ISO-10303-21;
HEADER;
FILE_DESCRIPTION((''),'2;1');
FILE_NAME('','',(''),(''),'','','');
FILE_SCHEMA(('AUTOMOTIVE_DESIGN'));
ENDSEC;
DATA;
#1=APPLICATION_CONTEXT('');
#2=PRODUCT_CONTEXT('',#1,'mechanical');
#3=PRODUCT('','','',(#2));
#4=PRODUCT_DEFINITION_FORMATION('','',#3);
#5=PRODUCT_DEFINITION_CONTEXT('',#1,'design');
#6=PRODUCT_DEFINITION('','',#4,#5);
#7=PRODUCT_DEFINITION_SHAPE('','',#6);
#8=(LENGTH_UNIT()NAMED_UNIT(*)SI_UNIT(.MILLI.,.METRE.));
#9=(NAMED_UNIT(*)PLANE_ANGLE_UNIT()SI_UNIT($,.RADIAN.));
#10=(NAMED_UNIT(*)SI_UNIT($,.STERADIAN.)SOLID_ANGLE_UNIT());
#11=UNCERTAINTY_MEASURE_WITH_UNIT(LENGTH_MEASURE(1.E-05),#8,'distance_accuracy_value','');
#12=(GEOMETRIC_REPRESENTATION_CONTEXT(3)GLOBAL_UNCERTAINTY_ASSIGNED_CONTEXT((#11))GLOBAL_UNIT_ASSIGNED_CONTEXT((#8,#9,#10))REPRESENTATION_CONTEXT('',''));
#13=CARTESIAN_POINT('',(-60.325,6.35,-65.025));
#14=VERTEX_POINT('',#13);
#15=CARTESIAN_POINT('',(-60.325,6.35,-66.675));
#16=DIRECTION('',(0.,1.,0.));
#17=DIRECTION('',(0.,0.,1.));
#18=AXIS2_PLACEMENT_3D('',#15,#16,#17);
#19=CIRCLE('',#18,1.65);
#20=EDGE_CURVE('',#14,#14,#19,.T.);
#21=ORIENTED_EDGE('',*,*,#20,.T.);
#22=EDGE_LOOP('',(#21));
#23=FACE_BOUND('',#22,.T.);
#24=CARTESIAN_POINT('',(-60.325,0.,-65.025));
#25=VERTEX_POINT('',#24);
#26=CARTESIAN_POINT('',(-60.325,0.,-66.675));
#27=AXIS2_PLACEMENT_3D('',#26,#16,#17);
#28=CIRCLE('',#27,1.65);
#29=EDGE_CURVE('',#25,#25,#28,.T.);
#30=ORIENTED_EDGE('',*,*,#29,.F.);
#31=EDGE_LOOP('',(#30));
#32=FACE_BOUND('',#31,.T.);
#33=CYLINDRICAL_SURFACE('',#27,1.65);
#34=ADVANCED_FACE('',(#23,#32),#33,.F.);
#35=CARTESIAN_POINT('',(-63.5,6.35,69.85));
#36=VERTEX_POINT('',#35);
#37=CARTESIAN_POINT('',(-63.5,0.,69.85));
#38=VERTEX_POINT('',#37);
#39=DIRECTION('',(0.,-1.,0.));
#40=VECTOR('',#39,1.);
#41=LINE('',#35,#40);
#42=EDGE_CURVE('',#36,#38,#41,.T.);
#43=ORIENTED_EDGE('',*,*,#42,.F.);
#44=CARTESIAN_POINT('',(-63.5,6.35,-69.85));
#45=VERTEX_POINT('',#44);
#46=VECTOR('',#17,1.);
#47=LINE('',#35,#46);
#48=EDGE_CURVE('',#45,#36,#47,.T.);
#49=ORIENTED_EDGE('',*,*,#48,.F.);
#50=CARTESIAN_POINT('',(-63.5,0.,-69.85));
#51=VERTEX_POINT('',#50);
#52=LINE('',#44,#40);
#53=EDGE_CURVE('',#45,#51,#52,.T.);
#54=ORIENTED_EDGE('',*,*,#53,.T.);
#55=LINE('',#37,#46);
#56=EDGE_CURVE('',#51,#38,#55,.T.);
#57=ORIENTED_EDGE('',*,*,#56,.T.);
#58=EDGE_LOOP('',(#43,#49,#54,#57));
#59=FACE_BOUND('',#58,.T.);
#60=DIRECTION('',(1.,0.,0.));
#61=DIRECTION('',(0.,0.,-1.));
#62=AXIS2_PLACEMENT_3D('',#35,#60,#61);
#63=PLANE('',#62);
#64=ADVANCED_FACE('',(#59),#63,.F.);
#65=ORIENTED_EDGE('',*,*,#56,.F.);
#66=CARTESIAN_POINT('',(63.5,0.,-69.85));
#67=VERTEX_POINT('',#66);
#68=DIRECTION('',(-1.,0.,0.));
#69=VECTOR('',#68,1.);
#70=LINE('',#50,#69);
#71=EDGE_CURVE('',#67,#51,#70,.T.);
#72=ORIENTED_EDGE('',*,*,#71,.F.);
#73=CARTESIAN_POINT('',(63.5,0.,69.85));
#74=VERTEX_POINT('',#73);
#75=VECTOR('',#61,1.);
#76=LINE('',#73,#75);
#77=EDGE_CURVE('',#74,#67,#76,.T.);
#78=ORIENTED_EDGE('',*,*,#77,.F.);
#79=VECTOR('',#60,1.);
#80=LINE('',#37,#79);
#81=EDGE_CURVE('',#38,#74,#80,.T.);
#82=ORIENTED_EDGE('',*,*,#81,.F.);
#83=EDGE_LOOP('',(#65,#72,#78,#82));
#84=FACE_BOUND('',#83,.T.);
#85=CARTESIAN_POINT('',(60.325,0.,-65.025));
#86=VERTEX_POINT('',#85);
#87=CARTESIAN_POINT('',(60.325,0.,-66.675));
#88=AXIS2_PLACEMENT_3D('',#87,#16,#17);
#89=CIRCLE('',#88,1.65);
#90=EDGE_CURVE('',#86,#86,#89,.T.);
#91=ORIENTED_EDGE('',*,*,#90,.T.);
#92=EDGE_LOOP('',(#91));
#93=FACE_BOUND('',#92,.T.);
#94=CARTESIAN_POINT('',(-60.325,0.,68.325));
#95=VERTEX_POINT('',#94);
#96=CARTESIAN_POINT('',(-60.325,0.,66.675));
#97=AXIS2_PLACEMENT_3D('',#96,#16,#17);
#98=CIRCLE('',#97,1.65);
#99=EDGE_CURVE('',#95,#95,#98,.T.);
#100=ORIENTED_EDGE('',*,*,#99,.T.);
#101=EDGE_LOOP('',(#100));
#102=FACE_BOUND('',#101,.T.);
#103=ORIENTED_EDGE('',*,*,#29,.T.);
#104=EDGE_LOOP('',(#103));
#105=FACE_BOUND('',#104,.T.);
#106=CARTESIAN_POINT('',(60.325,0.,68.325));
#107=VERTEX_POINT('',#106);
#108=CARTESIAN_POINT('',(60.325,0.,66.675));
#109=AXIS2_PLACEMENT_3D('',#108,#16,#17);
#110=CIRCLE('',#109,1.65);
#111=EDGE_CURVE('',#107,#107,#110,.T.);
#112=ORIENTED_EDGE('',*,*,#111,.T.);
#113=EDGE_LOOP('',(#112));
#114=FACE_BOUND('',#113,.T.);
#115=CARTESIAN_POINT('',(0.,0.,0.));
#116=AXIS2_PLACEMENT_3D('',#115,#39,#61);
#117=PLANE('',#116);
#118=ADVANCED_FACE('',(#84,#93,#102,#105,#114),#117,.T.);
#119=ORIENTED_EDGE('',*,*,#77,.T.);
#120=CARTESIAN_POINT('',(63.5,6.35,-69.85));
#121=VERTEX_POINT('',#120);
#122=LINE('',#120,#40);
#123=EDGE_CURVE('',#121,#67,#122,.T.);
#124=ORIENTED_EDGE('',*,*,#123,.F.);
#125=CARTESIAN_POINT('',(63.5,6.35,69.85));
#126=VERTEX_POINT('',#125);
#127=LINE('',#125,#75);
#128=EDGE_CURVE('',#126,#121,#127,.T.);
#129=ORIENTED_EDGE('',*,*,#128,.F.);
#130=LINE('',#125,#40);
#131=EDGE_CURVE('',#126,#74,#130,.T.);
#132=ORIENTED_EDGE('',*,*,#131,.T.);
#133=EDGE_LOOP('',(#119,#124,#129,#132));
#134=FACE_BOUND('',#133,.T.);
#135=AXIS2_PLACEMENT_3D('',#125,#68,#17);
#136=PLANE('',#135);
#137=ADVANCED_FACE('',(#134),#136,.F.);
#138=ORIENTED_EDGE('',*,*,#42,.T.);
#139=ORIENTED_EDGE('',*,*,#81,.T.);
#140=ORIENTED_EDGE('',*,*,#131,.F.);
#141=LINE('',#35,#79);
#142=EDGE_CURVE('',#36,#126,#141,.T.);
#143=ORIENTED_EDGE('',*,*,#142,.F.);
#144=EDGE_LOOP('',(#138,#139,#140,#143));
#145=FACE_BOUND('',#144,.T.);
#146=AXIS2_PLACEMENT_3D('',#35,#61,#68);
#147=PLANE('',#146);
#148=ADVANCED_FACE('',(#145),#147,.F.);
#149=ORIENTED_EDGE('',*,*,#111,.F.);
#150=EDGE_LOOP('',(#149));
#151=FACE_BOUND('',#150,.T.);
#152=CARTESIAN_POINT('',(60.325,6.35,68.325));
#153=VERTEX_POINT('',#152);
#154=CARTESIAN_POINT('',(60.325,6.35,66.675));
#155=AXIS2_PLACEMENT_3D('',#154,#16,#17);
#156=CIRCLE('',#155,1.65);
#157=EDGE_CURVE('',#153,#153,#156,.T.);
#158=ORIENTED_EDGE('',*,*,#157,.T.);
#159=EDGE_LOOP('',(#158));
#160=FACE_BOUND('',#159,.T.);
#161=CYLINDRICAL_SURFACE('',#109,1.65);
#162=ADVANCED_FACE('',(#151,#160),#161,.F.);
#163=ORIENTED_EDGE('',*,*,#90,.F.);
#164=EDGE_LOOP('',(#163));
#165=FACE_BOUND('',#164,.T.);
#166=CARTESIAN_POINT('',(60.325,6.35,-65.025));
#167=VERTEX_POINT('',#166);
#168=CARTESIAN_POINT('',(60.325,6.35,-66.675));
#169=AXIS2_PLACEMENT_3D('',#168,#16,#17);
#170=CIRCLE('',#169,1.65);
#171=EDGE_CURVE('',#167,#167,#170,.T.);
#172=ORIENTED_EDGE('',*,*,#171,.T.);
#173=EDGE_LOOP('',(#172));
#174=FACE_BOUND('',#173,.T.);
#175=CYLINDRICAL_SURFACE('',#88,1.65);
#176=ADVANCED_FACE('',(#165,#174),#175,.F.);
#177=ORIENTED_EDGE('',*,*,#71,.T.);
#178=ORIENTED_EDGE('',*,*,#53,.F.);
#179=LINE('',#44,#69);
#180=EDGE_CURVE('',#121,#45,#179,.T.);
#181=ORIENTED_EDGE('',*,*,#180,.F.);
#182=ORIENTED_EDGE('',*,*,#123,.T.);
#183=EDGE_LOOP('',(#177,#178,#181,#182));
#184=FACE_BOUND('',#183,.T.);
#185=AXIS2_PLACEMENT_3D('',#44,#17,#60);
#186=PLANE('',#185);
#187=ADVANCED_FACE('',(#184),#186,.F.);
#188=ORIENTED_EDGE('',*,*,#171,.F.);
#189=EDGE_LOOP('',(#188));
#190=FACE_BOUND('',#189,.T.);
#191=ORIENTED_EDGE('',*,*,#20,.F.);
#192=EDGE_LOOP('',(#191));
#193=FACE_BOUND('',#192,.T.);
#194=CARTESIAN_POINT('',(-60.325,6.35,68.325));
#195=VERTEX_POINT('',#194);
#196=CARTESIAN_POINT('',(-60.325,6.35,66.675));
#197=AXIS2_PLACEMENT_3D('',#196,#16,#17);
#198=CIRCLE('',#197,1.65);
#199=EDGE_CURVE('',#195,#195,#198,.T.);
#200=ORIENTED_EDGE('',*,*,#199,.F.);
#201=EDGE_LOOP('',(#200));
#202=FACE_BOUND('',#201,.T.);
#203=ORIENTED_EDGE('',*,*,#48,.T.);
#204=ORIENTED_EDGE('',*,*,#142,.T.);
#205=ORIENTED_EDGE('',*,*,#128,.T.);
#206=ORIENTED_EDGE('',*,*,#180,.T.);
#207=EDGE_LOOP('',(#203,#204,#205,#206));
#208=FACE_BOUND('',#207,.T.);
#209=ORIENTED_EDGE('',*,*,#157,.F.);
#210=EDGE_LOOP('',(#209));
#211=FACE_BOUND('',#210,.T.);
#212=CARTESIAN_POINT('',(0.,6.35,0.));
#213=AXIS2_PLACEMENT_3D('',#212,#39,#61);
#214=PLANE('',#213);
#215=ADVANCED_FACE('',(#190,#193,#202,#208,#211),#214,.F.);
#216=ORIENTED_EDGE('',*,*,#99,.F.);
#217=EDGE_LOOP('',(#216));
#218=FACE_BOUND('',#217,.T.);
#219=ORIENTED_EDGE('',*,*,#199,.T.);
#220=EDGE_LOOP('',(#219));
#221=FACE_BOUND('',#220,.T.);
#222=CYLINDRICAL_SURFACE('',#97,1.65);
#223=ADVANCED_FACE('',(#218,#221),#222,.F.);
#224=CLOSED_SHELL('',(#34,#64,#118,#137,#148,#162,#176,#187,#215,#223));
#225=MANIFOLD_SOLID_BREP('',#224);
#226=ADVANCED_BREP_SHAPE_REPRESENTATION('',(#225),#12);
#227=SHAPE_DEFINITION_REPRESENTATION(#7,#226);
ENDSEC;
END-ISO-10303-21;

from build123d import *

# Parameters (mm, degrees)
SKETCH1_W           = 127
SKETCH1_H           = 139.7
BOSS_EXTRUDE1_DEPTH = 6.35
SKETCH3_R           = 1.65
CUT_EXTRUDE1_DEPTH  = 95.612869104


with BuildPart() as part:
    # Sketch1 → Boss-Extrude1 (new body)
    with BuildSketch(Plane(origin=(0, 0, 0), x_dir=(1, 0, 0), z_dir=(0, 1, 0))):
        Rectangle(SKETCH1_W, SKETCH1_H)
    extrude(amount=BOSS_EXTRUDE1_DEPTH)

    # Sketch3 → Cut-Extrude1 (cut, through all)
    with BuildSketch(Plane(origin=(0, 6.35, 0), x_dir=(1, 0, 0), z_dir=(0, 1, 0))):
        with Locations(Location((60.325, 66.675, 0), (0, 0, 270))):
            Circle(SKETCH3_R)
        with Locations(Location((60.325, -66.675, 0), (0, 0, 270))):
            Circle(SKETCH3_R)
        with Locations(Location((-60.325, -66.675, 0), (0, 0, 270))):
            Circle(SKETCH3_R)
        with Locations(Location((-60.325, 66.675, 0), (0, 0, 270))):
            Circle(SKETCH3_R)
    extrude(amount=-CUT_EXTRUDE1_DEPTH, mode=Mode.SUBTRACT)


solid = part.part
